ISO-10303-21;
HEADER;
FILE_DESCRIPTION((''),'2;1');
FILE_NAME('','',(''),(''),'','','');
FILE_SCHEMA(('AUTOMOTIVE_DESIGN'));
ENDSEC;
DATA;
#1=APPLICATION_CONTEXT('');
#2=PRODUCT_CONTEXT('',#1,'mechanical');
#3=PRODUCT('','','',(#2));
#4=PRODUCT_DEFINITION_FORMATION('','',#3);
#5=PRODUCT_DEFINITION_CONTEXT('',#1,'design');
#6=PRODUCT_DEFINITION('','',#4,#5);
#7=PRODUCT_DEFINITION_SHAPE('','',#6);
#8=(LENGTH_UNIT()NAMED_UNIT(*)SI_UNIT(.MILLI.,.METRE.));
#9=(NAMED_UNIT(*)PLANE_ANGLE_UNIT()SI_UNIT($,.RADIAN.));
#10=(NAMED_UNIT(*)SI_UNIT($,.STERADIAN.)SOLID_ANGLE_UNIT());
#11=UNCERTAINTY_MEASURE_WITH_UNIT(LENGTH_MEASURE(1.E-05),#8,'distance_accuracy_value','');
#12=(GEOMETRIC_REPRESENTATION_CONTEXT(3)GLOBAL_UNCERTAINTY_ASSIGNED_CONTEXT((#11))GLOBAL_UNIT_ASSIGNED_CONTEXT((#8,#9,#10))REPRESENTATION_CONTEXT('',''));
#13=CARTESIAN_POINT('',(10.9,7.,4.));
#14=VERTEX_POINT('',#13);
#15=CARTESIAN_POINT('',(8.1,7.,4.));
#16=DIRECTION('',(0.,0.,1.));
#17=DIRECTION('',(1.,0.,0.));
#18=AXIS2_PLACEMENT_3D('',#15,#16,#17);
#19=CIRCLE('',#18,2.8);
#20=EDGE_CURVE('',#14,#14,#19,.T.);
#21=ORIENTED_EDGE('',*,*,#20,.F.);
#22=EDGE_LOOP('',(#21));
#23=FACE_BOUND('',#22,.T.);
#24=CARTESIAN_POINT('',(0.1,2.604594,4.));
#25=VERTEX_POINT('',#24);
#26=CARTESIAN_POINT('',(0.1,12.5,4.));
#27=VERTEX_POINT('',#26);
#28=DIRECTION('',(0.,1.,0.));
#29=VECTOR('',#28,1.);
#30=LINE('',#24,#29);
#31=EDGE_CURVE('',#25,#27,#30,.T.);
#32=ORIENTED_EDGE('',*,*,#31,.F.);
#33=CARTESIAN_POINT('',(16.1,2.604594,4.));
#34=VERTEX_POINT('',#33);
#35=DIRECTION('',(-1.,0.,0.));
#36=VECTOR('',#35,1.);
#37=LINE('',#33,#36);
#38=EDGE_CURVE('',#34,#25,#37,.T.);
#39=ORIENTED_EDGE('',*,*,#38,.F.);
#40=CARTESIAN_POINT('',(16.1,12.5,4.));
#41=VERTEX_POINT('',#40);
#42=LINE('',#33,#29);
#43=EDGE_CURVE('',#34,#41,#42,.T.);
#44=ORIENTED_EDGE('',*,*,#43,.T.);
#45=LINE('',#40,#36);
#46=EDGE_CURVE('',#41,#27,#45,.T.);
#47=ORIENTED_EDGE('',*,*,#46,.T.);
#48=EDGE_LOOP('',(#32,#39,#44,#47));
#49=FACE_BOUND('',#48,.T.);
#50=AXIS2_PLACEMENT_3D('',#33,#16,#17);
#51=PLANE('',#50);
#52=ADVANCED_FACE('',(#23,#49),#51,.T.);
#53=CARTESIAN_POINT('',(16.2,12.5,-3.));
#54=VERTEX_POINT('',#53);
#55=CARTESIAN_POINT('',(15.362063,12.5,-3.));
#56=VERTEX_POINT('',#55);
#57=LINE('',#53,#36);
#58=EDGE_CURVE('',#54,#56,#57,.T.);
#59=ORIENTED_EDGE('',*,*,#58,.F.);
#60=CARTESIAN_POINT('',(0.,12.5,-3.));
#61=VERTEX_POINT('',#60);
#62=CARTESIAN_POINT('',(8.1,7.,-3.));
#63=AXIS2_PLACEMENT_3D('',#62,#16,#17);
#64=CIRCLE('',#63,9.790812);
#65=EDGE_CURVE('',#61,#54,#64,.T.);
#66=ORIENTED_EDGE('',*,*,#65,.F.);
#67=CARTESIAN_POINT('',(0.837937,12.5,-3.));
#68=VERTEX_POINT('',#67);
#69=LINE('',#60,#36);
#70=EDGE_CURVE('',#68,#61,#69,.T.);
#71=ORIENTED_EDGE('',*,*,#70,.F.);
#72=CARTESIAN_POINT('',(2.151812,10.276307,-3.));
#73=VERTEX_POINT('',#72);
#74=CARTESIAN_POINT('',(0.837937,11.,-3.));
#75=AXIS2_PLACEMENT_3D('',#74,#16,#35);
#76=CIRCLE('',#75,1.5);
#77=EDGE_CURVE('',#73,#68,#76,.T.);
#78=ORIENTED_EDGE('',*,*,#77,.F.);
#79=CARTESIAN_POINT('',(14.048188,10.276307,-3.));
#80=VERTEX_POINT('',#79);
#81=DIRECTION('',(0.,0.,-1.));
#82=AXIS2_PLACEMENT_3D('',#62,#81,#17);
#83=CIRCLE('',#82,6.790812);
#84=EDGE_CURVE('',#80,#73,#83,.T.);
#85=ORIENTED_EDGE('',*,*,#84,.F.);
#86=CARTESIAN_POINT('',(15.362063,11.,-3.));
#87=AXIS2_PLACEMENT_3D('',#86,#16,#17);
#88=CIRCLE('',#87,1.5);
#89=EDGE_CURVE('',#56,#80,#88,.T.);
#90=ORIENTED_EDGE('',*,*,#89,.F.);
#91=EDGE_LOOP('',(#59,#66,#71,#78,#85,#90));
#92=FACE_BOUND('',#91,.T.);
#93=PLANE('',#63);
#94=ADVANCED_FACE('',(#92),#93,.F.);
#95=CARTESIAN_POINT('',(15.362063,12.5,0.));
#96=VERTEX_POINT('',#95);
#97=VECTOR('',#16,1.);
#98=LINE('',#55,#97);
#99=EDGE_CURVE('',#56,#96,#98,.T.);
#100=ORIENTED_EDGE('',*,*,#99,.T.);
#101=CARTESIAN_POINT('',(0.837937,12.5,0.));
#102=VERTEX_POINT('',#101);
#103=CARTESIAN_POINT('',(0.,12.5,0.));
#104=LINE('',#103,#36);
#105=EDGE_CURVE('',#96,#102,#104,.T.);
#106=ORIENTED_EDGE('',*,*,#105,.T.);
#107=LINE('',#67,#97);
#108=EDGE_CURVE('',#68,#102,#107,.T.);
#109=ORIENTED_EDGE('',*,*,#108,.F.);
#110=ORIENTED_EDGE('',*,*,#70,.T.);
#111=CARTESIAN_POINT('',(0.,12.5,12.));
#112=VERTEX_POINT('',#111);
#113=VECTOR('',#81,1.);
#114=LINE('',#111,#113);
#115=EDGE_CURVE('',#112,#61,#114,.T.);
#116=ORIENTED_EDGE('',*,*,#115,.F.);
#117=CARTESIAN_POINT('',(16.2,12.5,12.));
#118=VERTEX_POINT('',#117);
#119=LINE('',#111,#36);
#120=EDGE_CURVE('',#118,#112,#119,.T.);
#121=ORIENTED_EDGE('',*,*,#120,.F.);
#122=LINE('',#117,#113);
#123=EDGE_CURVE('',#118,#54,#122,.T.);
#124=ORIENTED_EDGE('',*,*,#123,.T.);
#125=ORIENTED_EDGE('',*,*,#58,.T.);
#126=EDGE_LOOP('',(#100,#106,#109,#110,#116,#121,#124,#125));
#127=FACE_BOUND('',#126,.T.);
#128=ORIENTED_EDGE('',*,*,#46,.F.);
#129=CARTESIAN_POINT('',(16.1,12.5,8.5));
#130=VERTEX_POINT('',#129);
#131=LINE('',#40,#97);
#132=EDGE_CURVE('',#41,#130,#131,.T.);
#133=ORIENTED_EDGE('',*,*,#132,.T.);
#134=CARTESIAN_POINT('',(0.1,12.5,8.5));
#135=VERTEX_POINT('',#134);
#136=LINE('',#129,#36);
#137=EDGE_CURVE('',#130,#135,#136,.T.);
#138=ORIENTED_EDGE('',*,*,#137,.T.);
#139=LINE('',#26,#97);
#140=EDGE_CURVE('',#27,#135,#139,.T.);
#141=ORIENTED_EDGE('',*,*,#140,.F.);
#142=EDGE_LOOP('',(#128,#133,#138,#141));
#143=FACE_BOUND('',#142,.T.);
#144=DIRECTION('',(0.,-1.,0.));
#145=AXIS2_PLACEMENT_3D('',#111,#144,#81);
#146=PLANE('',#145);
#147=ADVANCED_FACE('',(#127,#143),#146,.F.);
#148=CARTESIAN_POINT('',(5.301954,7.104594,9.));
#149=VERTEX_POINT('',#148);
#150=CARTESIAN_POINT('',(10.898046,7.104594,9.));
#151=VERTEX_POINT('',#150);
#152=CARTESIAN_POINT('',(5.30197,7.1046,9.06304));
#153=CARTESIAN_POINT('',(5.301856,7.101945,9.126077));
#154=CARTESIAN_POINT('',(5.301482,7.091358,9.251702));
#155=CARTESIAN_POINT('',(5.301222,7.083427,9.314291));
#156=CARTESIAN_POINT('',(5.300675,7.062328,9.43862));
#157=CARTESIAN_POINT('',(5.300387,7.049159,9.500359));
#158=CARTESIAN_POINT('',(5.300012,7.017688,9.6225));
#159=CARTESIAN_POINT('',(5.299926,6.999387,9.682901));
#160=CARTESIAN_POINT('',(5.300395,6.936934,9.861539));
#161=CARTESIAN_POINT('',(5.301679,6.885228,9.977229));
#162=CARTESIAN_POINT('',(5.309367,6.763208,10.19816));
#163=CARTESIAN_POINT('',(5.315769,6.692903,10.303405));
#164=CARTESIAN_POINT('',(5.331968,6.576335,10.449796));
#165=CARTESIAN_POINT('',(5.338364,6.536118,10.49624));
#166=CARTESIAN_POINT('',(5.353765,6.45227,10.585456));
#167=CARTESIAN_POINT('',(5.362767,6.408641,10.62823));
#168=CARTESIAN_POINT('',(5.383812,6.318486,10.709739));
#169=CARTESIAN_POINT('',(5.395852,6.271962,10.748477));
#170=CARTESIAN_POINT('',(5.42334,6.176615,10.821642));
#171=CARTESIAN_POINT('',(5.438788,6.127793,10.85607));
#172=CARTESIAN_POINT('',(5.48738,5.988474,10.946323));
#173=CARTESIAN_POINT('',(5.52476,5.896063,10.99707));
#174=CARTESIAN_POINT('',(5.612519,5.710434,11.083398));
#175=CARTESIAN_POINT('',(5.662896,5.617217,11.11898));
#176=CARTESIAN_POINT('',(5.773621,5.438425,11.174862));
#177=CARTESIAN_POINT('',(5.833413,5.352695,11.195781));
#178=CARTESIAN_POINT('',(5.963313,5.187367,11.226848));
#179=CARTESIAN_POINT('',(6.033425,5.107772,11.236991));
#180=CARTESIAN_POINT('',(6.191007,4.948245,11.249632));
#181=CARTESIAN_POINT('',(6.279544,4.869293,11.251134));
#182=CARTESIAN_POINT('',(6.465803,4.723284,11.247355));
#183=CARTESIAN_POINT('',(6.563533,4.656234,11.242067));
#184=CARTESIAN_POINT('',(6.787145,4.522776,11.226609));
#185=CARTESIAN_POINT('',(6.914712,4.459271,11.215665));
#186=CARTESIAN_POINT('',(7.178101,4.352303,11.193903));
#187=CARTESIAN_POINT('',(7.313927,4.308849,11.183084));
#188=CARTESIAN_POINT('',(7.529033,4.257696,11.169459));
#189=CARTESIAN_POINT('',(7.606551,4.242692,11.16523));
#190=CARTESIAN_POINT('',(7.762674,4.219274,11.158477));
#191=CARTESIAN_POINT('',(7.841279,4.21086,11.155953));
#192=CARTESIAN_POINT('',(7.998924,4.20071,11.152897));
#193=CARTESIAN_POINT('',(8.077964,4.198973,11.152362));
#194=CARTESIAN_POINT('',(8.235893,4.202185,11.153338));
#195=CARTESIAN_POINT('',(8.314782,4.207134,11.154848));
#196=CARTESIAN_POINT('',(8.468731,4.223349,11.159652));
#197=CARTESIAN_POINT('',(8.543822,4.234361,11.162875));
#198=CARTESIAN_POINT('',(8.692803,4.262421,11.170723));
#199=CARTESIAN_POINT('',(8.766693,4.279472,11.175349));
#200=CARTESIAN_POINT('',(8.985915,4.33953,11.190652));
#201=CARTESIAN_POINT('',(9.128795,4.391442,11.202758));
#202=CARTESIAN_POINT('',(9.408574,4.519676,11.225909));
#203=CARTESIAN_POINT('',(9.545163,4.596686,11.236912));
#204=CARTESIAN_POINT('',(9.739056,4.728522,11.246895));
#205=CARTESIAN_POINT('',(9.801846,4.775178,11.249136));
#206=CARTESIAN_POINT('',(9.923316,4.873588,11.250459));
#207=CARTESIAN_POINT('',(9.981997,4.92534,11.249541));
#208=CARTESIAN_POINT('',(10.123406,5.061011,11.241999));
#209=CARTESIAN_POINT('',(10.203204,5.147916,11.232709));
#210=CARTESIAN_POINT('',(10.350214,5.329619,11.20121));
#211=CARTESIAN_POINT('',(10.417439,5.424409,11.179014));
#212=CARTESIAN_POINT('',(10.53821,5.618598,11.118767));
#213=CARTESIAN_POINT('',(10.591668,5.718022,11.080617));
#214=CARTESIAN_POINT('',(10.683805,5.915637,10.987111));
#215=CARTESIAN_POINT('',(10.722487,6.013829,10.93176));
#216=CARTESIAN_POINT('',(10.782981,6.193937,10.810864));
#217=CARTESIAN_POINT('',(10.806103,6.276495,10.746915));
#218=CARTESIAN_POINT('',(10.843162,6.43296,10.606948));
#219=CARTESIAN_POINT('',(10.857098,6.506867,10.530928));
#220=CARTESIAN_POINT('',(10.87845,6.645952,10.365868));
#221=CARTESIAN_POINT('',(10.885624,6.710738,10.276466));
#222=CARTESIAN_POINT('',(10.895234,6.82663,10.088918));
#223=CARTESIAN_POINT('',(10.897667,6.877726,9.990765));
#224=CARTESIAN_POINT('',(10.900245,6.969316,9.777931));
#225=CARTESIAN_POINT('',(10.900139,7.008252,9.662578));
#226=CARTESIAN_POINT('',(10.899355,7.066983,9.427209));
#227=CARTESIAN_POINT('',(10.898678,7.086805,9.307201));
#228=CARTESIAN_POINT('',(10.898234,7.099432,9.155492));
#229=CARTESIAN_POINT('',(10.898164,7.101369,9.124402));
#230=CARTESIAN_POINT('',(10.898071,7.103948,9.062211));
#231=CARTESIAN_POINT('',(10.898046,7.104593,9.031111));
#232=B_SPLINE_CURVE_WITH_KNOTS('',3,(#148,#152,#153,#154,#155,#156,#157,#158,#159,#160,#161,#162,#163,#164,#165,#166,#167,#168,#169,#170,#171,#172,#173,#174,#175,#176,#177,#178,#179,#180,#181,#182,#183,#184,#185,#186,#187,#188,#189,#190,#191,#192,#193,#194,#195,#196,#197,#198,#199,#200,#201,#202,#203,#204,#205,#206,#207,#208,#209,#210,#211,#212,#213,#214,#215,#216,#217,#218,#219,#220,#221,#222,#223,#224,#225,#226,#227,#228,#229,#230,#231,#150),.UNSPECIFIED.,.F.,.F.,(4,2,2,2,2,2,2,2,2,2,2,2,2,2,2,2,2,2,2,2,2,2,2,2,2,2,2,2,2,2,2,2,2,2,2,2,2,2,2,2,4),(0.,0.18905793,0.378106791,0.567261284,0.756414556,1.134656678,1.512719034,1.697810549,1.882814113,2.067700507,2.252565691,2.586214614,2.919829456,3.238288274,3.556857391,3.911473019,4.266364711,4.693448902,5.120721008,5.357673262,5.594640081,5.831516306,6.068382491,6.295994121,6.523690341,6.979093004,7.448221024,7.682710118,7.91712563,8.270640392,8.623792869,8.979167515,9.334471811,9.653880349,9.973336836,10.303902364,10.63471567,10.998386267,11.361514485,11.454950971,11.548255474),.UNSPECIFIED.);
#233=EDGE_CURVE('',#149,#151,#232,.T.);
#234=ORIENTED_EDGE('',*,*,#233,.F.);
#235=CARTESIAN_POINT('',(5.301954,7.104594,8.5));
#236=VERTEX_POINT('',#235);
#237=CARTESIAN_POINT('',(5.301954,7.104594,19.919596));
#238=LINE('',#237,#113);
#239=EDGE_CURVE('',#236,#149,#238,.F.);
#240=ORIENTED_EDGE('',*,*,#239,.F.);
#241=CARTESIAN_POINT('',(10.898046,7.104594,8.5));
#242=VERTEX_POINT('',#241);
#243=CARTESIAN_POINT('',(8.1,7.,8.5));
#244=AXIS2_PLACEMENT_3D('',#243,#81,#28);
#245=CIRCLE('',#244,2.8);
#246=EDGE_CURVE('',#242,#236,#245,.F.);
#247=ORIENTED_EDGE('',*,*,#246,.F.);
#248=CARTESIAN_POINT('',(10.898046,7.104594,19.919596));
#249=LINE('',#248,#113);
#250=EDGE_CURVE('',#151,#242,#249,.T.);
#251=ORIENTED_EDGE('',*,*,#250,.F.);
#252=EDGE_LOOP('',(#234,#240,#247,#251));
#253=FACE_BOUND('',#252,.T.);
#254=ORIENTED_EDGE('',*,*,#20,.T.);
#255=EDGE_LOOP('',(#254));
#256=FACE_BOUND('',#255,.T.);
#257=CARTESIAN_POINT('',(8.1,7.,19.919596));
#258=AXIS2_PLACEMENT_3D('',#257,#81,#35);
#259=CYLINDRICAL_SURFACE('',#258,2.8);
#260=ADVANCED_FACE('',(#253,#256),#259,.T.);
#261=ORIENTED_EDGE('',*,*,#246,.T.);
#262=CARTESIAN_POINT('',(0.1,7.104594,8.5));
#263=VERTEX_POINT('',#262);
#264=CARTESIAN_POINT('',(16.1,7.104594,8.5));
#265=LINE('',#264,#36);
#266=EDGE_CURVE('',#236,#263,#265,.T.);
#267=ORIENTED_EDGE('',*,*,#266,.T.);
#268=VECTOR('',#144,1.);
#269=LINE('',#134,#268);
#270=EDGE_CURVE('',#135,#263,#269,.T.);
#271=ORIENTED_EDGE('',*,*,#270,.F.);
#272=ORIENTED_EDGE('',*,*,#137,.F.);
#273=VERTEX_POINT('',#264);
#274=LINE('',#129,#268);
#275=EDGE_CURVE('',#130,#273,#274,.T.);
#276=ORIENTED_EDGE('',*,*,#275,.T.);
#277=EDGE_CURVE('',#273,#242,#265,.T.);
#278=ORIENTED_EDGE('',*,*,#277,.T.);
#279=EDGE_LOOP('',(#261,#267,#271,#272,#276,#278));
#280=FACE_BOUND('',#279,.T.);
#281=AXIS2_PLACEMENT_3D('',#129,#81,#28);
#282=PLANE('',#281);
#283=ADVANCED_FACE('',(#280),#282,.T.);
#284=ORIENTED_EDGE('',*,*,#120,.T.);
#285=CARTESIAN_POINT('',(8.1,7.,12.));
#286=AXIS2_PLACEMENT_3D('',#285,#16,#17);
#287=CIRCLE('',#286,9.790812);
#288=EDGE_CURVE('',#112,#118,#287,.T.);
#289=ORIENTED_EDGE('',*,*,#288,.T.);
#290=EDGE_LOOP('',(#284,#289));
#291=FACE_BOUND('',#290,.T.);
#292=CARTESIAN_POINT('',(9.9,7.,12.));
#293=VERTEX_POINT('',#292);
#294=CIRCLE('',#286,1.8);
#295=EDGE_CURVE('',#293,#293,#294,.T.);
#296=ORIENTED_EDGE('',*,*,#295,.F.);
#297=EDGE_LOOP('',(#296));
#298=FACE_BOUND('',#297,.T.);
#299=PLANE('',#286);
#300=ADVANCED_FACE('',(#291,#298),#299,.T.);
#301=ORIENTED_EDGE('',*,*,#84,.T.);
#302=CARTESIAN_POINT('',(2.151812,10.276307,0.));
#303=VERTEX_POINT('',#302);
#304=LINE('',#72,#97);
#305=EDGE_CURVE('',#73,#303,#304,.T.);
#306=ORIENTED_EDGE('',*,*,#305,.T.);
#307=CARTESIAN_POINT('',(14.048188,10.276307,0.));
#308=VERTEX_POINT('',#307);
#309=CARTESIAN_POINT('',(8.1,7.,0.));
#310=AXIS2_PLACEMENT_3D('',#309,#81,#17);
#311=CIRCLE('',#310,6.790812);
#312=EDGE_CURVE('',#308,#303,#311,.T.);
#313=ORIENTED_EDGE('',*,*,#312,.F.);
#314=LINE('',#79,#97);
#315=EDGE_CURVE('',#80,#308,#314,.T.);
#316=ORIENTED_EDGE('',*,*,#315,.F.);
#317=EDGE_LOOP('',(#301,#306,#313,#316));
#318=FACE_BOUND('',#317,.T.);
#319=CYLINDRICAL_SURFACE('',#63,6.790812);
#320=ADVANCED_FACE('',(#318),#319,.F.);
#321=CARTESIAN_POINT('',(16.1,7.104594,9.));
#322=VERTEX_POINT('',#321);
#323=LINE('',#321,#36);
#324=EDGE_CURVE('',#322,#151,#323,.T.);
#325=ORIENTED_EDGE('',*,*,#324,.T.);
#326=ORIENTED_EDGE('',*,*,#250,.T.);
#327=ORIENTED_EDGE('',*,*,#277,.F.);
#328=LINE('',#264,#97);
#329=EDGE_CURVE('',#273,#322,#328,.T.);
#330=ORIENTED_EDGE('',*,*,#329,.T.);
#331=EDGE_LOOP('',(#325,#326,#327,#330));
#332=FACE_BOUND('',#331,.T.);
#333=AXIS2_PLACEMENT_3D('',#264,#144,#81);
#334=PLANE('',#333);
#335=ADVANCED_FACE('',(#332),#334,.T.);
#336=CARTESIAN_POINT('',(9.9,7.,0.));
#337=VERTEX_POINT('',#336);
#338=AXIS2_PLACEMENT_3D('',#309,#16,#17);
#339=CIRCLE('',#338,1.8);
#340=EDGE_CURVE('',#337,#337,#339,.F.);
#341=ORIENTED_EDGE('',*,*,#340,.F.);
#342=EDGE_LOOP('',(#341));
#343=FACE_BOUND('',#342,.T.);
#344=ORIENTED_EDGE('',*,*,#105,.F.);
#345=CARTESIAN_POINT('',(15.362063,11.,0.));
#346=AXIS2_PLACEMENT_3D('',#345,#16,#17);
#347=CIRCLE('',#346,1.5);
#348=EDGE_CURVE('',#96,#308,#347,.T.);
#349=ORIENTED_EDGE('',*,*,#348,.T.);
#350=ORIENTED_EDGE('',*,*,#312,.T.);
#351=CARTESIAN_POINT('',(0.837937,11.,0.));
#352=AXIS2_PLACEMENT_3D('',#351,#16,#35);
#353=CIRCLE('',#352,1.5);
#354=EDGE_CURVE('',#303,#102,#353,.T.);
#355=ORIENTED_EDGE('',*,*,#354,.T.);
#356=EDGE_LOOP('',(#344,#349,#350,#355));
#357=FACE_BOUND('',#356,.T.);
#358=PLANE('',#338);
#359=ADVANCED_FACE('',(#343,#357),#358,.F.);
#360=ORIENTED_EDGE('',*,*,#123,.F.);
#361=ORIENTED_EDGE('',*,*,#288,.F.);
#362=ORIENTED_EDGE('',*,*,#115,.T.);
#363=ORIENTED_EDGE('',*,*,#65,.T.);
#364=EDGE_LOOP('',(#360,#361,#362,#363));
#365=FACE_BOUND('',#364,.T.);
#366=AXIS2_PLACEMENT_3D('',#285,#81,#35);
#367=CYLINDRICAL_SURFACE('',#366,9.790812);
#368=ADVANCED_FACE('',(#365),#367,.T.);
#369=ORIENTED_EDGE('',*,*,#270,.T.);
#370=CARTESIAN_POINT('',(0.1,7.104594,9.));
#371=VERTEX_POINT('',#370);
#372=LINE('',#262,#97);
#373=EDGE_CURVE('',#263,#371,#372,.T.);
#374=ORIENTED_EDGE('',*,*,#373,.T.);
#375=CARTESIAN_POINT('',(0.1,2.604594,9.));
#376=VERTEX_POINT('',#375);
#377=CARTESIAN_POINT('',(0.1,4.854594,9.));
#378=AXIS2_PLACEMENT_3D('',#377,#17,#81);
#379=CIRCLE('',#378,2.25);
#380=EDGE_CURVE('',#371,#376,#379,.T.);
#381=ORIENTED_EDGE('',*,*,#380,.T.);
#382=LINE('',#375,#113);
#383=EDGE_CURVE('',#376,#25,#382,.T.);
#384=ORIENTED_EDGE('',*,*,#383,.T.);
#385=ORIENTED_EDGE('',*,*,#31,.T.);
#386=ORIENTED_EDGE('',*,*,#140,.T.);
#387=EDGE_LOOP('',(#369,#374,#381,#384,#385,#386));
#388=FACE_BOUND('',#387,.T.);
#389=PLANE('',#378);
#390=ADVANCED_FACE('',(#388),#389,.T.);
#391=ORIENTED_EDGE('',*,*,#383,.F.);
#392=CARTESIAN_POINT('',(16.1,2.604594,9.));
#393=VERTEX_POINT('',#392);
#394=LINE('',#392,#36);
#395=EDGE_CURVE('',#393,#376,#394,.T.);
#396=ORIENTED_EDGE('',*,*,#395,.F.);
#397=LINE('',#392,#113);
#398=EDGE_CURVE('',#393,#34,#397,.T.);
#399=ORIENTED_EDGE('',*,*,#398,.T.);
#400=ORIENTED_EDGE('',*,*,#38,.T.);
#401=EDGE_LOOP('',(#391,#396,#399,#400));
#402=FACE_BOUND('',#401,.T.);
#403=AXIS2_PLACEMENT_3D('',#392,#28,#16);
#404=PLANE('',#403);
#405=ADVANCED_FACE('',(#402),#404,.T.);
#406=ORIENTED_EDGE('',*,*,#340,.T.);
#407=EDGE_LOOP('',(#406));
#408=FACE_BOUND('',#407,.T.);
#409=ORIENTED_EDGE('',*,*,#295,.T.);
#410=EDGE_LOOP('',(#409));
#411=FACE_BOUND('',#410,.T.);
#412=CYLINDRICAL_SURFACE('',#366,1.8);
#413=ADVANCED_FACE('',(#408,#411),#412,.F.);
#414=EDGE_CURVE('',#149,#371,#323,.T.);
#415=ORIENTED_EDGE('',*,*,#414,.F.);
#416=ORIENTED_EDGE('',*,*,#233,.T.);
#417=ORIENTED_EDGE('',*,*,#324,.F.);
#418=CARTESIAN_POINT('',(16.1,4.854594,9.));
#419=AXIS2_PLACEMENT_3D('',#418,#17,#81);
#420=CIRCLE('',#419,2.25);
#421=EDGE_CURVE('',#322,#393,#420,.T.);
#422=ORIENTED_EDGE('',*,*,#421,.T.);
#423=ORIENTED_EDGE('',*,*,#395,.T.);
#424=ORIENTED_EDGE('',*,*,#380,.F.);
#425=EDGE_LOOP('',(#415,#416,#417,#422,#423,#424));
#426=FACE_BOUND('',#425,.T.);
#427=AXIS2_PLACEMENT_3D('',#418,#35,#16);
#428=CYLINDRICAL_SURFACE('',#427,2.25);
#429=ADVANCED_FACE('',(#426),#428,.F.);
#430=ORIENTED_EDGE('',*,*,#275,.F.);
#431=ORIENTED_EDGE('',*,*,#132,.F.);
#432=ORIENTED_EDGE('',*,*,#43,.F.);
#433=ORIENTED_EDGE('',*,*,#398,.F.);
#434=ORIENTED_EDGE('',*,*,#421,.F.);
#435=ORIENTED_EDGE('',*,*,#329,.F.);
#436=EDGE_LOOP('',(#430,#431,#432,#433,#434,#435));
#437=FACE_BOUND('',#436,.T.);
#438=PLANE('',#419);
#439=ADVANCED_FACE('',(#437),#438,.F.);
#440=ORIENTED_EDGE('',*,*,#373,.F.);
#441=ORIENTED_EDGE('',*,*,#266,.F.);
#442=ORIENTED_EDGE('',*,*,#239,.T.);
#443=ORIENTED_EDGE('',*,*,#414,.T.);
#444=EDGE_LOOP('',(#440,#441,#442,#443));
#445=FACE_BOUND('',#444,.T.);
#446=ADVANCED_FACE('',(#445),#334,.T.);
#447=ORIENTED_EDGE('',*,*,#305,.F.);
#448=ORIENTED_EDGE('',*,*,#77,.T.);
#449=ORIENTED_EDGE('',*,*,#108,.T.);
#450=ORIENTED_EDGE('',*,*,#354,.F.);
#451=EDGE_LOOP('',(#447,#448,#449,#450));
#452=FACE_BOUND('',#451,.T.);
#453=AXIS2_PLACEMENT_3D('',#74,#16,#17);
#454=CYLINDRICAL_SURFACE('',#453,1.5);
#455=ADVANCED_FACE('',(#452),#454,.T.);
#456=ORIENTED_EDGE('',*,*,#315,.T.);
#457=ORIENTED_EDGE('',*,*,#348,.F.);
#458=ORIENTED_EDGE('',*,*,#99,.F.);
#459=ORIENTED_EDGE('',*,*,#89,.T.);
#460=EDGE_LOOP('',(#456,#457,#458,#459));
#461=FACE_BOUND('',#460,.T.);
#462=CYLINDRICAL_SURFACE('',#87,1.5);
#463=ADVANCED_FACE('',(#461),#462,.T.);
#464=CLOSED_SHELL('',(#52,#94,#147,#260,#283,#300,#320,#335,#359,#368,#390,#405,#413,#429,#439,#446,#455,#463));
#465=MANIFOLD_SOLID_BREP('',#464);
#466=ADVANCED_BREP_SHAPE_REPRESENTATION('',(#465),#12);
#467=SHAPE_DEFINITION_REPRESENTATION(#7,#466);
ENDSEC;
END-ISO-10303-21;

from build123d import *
from build123d.topology import SkipClean

# Parameters (mm, degrees)
BOSS_EXTRUDE1_DEPTH     = 12
SKETCH3_R               = 1.8
CUT_EXTRUDE2_DEPTH      = 13
CUT_EXTRUDE2_DEPTH_BACK = 1
BOSS_EXTRUDE2_DEPTH     = 3
CUT_EXTRUDE4_DEPTH      = 16
SKETCH7_R               = 2.8
SKETCH7_R_2             = 1.8
BOSS_EXTRUDE3_DEPTH     = 8


with BuildPart() as part:
    # Sketch1 → Boss-Extrude1 (new body)
    with BuildSketch(Plane.XY):
        with BuildLine():
            Line((0, 12.5), (16.2, 12.5))
            ThreePointArc((16.2, 12.5), (8.1, -2.790812019), (0, 12.5))
        make_face()
    extrude(amount=BOSS_EXTRUDE1_DEPTH)

    # Sketch3 → Cut-Extrude2 (cut, two sides)
    with BuildSketch(Plane.XY) as cut_extrude2_sk:
        with Locations((8.1, 7)):
            Circle(SKETCH3_R)
    extrude(amount=CUT_EXTRUDE2_DEPTH, mode=Mode.SUBTRACT)
    extrude(cut_extrude2_sk.sketch, amount=-CUT_EXTRUDE2_DEPTH_BACK, mode=Mode.SUBTRACT)

    # Sketch4 → Boss-Extrude2 (add)
    with SkipClean():  # the faces are left unmerged after this step: merging them gives an invalid solid
        with BuildSketch(Plane.XY):
            with BuildLine():
                Line((16.2, 12.5), (15.362063339, 12.5))
                ThreePointArc((15.362063339, 12.5), (14.070641831, 11.763040292), (14.048187812, 10.276307316))
                ThreePointArc((14.048187812, 10.276307316), (8.1, 0.209187981), (2.151812188, 10.276307316))
                ThreePointArc((2.151812188, 10.276307316), (2.129358169, 11.763040292), (0.837936661, 12.5))
                Line((0.837936661, 12.5), (0, 12.5))
                ThreePointArc((0, 12.5), (8.1, -2.790812019), (16.2, 12.5))
            make_face()
        extrude(amount=-BOSS_EXTRUDE2_DEPTH)

    # Sketch6 → Cut-Extrude4 (cut)
    with SkipClean():  # the faces are left unmerged after this step: merging them gives an invalid solid
        with BuildSketch(Plane(origin=(0.1, 0, 0), x_dir=(0, 0, -1), z_dir=(1, 0, 0))):
            with BuildLine():
                Line((-9, 2.60459399), (-4, 2.60459399))
                Line((-4, 2.60459399), (-4, 12.5))
                Line((-4, 12.5), (-8.5, 12.5))
                Line((-8.5, 12.5), (-8.5, 7.10459399))
                Line((-8.5, 7.10459399), (-9, 7.10459399))
                ThreePointArc((-9, 7.10459399), (-11.25, 4.85459399), (-9, 2.60459399))
            make_face()
        extrude(amount=CUT_EXTRUDE4_DEPTH, mode=Mode.SUBTRACT)

    # Sketch7 → Boss-Extrude3 (add)
    with SkipClean():  # the faces are left unmerged after this step: merging them gives an invalid solid
        with BuildSketch(Plane.XY.offset(4)):
            with Locations(Location((8.1, 7, 0), (0, 0, 177.859218285))):
                Circle(SKETCH7_R)
            with Locations((8.1, 7)):
                Circle(SKETCH7_R_2, mode=Mode.SUBTRACT)
        extrude(amount=BOSS_EXTRUDE3_DEPTH)


solid = part.part
